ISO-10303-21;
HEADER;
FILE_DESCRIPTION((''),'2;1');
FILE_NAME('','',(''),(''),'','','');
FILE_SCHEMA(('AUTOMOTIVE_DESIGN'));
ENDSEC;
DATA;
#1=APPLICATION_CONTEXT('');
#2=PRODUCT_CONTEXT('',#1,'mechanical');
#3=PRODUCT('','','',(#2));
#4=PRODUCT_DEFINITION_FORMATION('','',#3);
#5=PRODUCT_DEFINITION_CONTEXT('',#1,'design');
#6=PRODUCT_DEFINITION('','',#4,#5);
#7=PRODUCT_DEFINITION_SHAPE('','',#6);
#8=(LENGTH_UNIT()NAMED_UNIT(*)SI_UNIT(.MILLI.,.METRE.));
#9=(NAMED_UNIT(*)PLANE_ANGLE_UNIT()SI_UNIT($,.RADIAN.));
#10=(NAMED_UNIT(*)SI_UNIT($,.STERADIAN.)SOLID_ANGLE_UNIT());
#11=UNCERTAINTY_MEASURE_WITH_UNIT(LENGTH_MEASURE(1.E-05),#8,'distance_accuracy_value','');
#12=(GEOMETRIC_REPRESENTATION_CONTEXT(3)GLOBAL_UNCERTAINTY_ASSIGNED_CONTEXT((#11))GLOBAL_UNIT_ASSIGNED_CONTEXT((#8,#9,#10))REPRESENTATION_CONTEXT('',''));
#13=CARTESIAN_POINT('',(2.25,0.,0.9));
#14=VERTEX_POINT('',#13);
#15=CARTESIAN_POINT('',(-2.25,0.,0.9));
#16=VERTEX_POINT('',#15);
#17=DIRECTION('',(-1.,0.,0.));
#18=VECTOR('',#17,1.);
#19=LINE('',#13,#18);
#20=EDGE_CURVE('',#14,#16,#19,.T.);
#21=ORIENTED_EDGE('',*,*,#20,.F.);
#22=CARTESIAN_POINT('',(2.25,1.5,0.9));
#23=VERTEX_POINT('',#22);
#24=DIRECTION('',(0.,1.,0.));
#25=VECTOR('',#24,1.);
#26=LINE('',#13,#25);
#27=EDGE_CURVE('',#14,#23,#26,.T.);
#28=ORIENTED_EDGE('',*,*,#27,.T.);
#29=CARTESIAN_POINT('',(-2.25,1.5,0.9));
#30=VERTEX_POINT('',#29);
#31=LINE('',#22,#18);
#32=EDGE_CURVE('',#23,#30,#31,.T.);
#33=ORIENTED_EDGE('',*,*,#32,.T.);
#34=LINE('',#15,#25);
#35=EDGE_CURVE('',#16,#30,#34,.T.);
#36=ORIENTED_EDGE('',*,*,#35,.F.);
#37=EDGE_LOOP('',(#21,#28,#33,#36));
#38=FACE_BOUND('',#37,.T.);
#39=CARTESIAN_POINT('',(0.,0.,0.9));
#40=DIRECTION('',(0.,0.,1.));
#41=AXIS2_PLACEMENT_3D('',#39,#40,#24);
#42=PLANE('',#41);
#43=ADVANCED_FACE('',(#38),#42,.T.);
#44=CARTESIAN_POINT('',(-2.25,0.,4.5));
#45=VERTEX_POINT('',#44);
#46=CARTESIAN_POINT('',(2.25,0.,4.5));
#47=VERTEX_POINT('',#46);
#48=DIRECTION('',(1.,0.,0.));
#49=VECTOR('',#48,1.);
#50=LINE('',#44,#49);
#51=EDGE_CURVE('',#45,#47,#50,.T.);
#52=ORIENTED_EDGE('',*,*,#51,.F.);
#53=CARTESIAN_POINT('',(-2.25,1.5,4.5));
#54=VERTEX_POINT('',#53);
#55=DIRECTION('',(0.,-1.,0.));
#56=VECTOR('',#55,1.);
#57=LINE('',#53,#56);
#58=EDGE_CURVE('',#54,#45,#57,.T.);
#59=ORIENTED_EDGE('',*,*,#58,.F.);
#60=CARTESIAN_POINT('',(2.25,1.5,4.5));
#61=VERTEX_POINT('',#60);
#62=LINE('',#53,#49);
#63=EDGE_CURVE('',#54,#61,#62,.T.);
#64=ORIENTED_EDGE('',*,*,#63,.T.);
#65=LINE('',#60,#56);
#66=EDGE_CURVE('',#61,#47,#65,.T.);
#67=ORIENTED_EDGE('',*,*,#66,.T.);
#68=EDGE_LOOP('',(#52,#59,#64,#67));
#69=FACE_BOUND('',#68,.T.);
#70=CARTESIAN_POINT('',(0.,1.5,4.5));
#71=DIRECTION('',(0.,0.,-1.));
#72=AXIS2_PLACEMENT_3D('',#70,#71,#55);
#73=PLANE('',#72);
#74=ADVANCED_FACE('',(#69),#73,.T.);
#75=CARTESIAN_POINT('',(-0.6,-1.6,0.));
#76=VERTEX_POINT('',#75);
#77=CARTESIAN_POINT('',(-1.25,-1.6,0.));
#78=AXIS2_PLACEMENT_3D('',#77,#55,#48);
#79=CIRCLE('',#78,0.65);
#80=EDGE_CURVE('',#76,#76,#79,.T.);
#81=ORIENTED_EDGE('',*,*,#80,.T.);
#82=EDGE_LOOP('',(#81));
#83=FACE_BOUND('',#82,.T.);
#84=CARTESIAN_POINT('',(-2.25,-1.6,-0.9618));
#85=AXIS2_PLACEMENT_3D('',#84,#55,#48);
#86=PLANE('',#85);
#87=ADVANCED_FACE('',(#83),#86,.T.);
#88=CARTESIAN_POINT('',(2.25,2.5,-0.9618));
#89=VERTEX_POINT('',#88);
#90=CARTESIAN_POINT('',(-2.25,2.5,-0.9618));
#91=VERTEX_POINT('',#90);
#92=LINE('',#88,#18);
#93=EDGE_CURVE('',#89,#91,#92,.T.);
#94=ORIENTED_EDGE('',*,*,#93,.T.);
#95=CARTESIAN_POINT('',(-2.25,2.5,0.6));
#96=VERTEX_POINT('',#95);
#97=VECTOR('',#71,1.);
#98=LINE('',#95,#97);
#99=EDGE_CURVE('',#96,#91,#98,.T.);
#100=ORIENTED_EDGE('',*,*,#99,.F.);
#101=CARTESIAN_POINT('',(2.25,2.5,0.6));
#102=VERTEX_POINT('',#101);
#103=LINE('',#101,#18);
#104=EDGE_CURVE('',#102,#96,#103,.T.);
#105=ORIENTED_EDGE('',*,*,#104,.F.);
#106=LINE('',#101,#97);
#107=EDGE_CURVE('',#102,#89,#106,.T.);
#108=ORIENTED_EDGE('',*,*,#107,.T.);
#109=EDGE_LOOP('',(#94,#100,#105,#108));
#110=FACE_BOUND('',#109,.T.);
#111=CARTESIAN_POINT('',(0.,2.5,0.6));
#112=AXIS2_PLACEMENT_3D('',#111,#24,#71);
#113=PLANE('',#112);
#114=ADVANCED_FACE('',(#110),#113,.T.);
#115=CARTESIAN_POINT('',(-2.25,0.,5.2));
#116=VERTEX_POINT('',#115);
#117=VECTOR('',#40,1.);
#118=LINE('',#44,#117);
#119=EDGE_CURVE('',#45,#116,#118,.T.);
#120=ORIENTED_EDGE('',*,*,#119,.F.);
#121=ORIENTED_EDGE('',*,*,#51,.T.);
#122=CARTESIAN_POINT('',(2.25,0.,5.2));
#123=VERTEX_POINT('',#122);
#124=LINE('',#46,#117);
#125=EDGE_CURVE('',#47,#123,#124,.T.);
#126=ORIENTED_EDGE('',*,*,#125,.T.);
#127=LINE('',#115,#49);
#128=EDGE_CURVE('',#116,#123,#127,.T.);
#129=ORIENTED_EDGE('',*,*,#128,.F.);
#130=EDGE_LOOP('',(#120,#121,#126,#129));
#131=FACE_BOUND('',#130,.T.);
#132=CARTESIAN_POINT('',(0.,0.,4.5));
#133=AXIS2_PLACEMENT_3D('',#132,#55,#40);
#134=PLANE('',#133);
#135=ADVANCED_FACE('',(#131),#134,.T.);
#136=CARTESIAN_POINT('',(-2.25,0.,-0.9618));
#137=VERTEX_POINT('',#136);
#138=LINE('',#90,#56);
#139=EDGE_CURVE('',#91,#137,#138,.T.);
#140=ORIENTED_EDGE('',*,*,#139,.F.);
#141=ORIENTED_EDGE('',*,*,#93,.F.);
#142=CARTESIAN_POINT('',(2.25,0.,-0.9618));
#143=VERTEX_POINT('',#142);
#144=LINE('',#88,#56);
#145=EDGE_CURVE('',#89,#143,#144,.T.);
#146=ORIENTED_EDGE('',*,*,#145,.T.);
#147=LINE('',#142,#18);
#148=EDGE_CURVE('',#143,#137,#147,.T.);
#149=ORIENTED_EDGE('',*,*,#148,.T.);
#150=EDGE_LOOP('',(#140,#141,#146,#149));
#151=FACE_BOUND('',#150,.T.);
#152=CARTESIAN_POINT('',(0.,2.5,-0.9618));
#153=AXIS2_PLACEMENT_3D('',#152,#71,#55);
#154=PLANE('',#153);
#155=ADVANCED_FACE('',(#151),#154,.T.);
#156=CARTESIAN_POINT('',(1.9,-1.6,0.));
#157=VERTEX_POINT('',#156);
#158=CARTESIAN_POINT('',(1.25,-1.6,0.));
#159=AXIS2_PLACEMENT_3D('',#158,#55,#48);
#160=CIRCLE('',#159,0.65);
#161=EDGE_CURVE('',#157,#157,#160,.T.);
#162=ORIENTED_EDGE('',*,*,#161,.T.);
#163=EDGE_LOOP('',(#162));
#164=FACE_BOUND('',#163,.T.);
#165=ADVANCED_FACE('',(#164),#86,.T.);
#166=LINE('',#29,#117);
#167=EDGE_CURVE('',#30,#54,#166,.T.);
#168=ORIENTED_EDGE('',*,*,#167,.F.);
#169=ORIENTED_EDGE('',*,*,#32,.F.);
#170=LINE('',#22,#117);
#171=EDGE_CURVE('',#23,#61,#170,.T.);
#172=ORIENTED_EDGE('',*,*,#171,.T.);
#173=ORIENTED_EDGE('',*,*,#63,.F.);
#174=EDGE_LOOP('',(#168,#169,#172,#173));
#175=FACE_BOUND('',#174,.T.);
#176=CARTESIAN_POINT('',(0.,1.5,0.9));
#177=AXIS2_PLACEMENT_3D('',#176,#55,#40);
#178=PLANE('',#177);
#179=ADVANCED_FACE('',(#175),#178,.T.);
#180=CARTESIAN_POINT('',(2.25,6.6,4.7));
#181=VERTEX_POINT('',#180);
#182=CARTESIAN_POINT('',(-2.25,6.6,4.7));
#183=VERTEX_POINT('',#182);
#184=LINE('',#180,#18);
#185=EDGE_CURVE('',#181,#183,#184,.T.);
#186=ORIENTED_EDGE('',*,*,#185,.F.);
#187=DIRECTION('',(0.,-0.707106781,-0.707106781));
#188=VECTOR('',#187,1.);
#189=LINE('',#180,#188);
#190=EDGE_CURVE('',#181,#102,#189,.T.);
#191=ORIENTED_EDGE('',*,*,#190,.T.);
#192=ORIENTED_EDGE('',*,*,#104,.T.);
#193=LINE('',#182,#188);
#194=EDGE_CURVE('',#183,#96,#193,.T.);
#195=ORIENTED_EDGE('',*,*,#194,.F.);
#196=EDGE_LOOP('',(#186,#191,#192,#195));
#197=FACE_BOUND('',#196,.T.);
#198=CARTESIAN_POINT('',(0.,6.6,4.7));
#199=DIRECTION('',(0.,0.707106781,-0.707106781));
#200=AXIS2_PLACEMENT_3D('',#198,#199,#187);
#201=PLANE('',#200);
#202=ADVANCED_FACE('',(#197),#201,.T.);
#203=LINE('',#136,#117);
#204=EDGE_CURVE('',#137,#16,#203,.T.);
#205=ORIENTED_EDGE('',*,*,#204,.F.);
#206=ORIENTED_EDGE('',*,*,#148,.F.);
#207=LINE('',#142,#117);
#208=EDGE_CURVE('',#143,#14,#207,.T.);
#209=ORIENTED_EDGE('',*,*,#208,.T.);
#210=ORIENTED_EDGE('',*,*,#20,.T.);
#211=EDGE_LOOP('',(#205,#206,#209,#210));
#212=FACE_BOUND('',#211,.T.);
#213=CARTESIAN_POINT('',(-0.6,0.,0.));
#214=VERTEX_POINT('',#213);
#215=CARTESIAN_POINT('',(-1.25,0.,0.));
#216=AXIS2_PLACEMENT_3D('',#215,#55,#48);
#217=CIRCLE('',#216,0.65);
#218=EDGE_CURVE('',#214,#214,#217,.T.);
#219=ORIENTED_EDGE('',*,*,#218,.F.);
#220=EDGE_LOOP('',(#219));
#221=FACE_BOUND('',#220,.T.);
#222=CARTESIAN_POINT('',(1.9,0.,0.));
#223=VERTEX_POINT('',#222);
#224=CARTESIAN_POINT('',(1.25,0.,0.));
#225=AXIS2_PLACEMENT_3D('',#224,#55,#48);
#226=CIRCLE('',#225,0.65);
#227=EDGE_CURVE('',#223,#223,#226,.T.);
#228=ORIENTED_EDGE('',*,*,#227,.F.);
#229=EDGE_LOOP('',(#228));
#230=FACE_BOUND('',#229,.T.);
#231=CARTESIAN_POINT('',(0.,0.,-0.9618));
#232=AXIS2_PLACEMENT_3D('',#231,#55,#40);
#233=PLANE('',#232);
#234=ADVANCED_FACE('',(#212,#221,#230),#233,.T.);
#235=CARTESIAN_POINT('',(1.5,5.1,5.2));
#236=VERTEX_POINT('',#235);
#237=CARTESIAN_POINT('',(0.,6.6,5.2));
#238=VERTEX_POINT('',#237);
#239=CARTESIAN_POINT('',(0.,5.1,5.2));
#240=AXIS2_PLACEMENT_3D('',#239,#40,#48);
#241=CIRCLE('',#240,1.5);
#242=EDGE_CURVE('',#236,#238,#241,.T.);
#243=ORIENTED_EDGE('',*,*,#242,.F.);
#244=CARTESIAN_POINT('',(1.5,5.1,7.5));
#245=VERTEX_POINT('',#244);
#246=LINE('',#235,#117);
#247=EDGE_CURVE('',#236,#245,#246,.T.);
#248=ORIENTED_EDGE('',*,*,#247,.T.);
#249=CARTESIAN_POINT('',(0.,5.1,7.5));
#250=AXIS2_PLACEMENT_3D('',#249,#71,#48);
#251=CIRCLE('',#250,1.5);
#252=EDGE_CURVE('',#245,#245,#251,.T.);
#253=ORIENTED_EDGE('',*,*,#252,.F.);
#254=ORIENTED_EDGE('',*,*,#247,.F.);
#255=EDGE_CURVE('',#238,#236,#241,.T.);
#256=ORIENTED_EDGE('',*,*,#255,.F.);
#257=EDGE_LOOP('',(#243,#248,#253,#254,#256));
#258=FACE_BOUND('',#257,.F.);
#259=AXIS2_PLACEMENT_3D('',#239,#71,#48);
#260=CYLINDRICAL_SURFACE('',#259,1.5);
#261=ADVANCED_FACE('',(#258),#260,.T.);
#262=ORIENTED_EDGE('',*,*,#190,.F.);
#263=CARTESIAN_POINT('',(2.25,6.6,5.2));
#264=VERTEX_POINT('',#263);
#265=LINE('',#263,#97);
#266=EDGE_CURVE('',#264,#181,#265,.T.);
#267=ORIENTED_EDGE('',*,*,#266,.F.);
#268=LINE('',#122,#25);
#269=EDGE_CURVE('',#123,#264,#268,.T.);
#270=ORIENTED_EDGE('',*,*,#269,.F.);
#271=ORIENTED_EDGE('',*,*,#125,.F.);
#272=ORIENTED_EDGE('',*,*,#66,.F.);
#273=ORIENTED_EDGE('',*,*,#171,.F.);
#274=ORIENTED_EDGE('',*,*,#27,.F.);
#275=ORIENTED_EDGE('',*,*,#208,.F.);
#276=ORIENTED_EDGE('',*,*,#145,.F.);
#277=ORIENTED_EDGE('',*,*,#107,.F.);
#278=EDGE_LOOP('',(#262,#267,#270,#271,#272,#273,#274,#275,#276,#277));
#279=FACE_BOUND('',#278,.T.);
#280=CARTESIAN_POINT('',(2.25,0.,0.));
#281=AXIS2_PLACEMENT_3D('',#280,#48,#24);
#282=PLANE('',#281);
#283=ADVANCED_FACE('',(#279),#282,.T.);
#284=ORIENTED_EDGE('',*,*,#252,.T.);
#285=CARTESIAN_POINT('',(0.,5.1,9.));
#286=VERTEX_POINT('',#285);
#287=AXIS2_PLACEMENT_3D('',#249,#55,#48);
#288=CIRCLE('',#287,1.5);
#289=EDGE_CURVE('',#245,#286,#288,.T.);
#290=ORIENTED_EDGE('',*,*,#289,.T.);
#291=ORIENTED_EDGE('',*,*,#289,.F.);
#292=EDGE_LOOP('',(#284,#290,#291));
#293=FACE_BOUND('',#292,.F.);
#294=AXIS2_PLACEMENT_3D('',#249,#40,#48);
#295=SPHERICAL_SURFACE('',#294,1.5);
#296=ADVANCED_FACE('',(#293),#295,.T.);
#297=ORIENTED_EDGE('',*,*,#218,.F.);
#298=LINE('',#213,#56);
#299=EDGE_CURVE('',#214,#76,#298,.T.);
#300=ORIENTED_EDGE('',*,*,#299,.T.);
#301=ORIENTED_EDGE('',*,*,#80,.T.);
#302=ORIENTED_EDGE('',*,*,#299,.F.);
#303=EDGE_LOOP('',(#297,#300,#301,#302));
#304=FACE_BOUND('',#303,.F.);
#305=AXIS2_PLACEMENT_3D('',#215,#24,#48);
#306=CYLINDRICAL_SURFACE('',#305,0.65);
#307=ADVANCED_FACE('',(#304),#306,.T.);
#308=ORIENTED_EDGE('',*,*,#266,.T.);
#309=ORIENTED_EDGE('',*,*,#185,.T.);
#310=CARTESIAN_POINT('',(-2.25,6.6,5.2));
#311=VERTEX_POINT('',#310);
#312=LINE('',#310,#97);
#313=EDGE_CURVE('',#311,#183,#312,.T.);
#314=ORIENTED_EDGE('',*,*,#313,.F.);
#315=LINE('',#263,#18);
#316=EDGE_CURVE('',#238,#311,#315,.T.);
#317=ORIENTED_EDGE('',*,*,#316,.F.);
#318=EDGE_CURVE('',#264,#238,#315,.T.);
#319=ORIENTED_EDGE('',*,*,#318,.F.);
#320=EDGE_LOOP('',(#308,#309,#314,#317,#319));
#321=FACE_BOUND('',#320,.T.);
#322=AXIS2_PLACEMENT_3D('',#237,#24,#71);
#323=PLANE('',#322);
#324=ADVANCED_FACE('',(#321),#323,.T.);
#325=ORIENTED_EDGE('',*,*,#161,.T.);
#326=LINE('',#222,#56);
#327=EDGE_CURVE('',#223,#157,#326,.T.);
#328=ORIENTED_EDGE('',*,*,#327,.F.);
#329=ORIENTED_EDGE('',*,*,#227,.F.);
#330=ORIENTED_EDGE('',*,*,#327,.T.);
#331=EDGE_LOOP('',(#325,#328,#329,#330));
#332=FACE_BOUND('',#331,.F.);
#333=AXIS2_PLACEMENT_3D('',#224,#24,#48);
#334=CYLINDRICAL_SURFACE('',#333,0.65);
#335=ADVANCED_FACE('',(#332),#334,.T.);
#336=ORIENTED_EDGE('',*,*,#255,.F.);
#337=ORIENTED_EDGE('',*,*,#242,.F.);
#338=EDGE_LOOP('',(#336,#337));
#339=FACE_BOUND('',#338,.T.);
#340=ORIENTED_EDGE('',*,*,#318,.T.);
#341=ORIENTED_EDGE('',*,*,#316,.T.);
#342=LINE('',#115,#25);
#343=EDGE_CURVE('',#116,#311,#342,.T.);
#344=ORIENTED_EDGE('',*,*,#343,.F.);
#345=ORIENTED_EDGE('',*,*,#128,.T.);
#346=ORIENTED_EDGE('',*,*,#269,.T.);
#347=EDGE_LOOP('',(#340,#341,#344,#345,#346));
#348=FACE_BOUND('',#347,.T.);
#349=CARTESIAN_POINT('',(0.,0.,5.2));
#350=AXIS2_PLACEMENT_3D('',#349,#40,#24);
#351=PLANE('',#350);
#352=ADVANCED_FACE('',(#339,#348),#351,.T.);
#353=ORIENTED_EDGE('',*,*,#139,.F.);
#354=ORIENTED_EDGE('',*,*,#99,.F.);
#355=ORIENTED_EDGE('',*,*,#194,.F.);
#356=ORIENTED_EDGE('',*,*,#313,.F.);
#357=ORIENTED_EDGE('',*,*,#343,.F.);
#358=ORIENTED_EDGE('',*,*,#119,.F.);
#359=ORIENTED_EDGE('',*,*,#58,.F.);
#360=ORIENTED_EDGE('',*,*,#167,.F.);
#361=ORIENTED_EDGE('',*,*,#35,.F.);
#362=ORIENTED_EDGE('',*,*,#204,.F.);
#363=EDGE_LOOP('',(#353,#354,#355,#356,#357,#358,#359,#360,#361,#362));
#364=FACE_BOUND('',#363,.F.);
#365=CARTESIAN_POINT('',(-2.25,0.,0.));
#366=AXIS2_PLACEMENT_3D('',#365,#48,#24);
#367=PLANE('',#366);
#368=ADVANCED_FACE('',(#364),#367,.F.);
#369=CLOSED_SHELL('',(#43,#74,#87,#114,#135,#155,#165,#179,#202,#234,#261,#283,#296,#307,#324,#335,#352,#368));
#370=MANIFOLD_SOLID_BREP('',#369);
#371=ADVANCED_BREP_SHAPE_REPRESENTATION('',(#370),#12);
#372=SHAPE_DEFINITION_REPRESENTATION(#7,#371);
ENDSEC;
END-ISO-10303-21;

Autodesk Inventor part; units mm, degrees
ref_plane "YZ Plane" through (0, 0, 0) normal (1, 0, 0) x (0, 1, 0)
ref_plane "XZ Plane" through (0, 0, 0) normal (0, 1, 0) x (-1, 0, 0)
ref_plane "XY Plane" through (0, 0, 0) normal (0, 0, 1) x (1, 0, 0)
sketch "Sketch1" plane through (0, 0, 0) normal (1, 0, 0) x (0, 1, 0)
  line L0 (0, 5.2) -> (6.6, 5.2)
  line L1 (6.6, 5.2) -> (6.6, 4.7)
  line L2 (2.5, 0.6) -> (2.5, -0.9618)
  line L3 (2.5, -0.9618) -> (0, -0.9618)
  line L4 (0, -0.9618) -> (0, 0.9)
  line L5 (0, 0.9) -> (1.5, 0.9)
  line L6 (1.5, 0.9) -> (1.5, 4.5)
  line L7 (1.5, 4.5) -> (0, 4.5)
  line L8 (0, 4.5) -> (0, 5.2)
  line L9 (6.6, 4.7) -> (2.5, 0.6)
  point P0 (0, 0)
  point P1 (1.5, 2.7)
  point P2 (0, 0)
  dimension "d0" = 3.6
  dimension "d1" = 1.5
  dimension "d2" = 6.6
  dimension "d3" = 45
  dimension "d4" = 5.2
  dimension "d6" = 2.7
  dimension "d7" = 0
  dimension "d8" = 1
  dimension "d9" = 0.5
extrude "Extrusion1" add sketch "Sketch1" along normal mid plane 4.5
sketch "Sketch2" plane through (-2.25, 0, 5.2) normal (0, 0, 1) x (1, 0, 0)
  line L0 (2.25, 0) -> (2.25, 10.2) construction
  circle A0 centre (2.25, 5.1) radius 1.5
  line L1 (4.5, 6.6) -> (0, 6.6) projected
  dimension "d12" = 3
extrude "Extrusion2" add sketch "Sketch2" along normal blind 3.8
fillet "Fillet1" radius 1.5 1 edges at (-1.5, 5.1, 9)
sketch "Sketch3" plane through (-2.25, 0, -0.9618) normal (0, -1, 0) x (1, 0, 0)
  circle A0 centre (1, 0.9618) radius 0.65
  circle A1 centre (3.5, 0.9618) radius 0.65
  line L0 (0, 6.1618) -> (4.5, 6.1618) projected
  point P0 (2.25, 0.9618)
  dimension "d16" = 1.3
  dimension "d17" = 1.3
  dimension "d18" = 5.2
  dimension "d19" = 1.25
  dimension "d20" = 1.25
  dimension "d21" = 5.2
extrude "Extrusion3" add sketch "Sketch3" along normal blind 1.6
properties part number "SLP3"
